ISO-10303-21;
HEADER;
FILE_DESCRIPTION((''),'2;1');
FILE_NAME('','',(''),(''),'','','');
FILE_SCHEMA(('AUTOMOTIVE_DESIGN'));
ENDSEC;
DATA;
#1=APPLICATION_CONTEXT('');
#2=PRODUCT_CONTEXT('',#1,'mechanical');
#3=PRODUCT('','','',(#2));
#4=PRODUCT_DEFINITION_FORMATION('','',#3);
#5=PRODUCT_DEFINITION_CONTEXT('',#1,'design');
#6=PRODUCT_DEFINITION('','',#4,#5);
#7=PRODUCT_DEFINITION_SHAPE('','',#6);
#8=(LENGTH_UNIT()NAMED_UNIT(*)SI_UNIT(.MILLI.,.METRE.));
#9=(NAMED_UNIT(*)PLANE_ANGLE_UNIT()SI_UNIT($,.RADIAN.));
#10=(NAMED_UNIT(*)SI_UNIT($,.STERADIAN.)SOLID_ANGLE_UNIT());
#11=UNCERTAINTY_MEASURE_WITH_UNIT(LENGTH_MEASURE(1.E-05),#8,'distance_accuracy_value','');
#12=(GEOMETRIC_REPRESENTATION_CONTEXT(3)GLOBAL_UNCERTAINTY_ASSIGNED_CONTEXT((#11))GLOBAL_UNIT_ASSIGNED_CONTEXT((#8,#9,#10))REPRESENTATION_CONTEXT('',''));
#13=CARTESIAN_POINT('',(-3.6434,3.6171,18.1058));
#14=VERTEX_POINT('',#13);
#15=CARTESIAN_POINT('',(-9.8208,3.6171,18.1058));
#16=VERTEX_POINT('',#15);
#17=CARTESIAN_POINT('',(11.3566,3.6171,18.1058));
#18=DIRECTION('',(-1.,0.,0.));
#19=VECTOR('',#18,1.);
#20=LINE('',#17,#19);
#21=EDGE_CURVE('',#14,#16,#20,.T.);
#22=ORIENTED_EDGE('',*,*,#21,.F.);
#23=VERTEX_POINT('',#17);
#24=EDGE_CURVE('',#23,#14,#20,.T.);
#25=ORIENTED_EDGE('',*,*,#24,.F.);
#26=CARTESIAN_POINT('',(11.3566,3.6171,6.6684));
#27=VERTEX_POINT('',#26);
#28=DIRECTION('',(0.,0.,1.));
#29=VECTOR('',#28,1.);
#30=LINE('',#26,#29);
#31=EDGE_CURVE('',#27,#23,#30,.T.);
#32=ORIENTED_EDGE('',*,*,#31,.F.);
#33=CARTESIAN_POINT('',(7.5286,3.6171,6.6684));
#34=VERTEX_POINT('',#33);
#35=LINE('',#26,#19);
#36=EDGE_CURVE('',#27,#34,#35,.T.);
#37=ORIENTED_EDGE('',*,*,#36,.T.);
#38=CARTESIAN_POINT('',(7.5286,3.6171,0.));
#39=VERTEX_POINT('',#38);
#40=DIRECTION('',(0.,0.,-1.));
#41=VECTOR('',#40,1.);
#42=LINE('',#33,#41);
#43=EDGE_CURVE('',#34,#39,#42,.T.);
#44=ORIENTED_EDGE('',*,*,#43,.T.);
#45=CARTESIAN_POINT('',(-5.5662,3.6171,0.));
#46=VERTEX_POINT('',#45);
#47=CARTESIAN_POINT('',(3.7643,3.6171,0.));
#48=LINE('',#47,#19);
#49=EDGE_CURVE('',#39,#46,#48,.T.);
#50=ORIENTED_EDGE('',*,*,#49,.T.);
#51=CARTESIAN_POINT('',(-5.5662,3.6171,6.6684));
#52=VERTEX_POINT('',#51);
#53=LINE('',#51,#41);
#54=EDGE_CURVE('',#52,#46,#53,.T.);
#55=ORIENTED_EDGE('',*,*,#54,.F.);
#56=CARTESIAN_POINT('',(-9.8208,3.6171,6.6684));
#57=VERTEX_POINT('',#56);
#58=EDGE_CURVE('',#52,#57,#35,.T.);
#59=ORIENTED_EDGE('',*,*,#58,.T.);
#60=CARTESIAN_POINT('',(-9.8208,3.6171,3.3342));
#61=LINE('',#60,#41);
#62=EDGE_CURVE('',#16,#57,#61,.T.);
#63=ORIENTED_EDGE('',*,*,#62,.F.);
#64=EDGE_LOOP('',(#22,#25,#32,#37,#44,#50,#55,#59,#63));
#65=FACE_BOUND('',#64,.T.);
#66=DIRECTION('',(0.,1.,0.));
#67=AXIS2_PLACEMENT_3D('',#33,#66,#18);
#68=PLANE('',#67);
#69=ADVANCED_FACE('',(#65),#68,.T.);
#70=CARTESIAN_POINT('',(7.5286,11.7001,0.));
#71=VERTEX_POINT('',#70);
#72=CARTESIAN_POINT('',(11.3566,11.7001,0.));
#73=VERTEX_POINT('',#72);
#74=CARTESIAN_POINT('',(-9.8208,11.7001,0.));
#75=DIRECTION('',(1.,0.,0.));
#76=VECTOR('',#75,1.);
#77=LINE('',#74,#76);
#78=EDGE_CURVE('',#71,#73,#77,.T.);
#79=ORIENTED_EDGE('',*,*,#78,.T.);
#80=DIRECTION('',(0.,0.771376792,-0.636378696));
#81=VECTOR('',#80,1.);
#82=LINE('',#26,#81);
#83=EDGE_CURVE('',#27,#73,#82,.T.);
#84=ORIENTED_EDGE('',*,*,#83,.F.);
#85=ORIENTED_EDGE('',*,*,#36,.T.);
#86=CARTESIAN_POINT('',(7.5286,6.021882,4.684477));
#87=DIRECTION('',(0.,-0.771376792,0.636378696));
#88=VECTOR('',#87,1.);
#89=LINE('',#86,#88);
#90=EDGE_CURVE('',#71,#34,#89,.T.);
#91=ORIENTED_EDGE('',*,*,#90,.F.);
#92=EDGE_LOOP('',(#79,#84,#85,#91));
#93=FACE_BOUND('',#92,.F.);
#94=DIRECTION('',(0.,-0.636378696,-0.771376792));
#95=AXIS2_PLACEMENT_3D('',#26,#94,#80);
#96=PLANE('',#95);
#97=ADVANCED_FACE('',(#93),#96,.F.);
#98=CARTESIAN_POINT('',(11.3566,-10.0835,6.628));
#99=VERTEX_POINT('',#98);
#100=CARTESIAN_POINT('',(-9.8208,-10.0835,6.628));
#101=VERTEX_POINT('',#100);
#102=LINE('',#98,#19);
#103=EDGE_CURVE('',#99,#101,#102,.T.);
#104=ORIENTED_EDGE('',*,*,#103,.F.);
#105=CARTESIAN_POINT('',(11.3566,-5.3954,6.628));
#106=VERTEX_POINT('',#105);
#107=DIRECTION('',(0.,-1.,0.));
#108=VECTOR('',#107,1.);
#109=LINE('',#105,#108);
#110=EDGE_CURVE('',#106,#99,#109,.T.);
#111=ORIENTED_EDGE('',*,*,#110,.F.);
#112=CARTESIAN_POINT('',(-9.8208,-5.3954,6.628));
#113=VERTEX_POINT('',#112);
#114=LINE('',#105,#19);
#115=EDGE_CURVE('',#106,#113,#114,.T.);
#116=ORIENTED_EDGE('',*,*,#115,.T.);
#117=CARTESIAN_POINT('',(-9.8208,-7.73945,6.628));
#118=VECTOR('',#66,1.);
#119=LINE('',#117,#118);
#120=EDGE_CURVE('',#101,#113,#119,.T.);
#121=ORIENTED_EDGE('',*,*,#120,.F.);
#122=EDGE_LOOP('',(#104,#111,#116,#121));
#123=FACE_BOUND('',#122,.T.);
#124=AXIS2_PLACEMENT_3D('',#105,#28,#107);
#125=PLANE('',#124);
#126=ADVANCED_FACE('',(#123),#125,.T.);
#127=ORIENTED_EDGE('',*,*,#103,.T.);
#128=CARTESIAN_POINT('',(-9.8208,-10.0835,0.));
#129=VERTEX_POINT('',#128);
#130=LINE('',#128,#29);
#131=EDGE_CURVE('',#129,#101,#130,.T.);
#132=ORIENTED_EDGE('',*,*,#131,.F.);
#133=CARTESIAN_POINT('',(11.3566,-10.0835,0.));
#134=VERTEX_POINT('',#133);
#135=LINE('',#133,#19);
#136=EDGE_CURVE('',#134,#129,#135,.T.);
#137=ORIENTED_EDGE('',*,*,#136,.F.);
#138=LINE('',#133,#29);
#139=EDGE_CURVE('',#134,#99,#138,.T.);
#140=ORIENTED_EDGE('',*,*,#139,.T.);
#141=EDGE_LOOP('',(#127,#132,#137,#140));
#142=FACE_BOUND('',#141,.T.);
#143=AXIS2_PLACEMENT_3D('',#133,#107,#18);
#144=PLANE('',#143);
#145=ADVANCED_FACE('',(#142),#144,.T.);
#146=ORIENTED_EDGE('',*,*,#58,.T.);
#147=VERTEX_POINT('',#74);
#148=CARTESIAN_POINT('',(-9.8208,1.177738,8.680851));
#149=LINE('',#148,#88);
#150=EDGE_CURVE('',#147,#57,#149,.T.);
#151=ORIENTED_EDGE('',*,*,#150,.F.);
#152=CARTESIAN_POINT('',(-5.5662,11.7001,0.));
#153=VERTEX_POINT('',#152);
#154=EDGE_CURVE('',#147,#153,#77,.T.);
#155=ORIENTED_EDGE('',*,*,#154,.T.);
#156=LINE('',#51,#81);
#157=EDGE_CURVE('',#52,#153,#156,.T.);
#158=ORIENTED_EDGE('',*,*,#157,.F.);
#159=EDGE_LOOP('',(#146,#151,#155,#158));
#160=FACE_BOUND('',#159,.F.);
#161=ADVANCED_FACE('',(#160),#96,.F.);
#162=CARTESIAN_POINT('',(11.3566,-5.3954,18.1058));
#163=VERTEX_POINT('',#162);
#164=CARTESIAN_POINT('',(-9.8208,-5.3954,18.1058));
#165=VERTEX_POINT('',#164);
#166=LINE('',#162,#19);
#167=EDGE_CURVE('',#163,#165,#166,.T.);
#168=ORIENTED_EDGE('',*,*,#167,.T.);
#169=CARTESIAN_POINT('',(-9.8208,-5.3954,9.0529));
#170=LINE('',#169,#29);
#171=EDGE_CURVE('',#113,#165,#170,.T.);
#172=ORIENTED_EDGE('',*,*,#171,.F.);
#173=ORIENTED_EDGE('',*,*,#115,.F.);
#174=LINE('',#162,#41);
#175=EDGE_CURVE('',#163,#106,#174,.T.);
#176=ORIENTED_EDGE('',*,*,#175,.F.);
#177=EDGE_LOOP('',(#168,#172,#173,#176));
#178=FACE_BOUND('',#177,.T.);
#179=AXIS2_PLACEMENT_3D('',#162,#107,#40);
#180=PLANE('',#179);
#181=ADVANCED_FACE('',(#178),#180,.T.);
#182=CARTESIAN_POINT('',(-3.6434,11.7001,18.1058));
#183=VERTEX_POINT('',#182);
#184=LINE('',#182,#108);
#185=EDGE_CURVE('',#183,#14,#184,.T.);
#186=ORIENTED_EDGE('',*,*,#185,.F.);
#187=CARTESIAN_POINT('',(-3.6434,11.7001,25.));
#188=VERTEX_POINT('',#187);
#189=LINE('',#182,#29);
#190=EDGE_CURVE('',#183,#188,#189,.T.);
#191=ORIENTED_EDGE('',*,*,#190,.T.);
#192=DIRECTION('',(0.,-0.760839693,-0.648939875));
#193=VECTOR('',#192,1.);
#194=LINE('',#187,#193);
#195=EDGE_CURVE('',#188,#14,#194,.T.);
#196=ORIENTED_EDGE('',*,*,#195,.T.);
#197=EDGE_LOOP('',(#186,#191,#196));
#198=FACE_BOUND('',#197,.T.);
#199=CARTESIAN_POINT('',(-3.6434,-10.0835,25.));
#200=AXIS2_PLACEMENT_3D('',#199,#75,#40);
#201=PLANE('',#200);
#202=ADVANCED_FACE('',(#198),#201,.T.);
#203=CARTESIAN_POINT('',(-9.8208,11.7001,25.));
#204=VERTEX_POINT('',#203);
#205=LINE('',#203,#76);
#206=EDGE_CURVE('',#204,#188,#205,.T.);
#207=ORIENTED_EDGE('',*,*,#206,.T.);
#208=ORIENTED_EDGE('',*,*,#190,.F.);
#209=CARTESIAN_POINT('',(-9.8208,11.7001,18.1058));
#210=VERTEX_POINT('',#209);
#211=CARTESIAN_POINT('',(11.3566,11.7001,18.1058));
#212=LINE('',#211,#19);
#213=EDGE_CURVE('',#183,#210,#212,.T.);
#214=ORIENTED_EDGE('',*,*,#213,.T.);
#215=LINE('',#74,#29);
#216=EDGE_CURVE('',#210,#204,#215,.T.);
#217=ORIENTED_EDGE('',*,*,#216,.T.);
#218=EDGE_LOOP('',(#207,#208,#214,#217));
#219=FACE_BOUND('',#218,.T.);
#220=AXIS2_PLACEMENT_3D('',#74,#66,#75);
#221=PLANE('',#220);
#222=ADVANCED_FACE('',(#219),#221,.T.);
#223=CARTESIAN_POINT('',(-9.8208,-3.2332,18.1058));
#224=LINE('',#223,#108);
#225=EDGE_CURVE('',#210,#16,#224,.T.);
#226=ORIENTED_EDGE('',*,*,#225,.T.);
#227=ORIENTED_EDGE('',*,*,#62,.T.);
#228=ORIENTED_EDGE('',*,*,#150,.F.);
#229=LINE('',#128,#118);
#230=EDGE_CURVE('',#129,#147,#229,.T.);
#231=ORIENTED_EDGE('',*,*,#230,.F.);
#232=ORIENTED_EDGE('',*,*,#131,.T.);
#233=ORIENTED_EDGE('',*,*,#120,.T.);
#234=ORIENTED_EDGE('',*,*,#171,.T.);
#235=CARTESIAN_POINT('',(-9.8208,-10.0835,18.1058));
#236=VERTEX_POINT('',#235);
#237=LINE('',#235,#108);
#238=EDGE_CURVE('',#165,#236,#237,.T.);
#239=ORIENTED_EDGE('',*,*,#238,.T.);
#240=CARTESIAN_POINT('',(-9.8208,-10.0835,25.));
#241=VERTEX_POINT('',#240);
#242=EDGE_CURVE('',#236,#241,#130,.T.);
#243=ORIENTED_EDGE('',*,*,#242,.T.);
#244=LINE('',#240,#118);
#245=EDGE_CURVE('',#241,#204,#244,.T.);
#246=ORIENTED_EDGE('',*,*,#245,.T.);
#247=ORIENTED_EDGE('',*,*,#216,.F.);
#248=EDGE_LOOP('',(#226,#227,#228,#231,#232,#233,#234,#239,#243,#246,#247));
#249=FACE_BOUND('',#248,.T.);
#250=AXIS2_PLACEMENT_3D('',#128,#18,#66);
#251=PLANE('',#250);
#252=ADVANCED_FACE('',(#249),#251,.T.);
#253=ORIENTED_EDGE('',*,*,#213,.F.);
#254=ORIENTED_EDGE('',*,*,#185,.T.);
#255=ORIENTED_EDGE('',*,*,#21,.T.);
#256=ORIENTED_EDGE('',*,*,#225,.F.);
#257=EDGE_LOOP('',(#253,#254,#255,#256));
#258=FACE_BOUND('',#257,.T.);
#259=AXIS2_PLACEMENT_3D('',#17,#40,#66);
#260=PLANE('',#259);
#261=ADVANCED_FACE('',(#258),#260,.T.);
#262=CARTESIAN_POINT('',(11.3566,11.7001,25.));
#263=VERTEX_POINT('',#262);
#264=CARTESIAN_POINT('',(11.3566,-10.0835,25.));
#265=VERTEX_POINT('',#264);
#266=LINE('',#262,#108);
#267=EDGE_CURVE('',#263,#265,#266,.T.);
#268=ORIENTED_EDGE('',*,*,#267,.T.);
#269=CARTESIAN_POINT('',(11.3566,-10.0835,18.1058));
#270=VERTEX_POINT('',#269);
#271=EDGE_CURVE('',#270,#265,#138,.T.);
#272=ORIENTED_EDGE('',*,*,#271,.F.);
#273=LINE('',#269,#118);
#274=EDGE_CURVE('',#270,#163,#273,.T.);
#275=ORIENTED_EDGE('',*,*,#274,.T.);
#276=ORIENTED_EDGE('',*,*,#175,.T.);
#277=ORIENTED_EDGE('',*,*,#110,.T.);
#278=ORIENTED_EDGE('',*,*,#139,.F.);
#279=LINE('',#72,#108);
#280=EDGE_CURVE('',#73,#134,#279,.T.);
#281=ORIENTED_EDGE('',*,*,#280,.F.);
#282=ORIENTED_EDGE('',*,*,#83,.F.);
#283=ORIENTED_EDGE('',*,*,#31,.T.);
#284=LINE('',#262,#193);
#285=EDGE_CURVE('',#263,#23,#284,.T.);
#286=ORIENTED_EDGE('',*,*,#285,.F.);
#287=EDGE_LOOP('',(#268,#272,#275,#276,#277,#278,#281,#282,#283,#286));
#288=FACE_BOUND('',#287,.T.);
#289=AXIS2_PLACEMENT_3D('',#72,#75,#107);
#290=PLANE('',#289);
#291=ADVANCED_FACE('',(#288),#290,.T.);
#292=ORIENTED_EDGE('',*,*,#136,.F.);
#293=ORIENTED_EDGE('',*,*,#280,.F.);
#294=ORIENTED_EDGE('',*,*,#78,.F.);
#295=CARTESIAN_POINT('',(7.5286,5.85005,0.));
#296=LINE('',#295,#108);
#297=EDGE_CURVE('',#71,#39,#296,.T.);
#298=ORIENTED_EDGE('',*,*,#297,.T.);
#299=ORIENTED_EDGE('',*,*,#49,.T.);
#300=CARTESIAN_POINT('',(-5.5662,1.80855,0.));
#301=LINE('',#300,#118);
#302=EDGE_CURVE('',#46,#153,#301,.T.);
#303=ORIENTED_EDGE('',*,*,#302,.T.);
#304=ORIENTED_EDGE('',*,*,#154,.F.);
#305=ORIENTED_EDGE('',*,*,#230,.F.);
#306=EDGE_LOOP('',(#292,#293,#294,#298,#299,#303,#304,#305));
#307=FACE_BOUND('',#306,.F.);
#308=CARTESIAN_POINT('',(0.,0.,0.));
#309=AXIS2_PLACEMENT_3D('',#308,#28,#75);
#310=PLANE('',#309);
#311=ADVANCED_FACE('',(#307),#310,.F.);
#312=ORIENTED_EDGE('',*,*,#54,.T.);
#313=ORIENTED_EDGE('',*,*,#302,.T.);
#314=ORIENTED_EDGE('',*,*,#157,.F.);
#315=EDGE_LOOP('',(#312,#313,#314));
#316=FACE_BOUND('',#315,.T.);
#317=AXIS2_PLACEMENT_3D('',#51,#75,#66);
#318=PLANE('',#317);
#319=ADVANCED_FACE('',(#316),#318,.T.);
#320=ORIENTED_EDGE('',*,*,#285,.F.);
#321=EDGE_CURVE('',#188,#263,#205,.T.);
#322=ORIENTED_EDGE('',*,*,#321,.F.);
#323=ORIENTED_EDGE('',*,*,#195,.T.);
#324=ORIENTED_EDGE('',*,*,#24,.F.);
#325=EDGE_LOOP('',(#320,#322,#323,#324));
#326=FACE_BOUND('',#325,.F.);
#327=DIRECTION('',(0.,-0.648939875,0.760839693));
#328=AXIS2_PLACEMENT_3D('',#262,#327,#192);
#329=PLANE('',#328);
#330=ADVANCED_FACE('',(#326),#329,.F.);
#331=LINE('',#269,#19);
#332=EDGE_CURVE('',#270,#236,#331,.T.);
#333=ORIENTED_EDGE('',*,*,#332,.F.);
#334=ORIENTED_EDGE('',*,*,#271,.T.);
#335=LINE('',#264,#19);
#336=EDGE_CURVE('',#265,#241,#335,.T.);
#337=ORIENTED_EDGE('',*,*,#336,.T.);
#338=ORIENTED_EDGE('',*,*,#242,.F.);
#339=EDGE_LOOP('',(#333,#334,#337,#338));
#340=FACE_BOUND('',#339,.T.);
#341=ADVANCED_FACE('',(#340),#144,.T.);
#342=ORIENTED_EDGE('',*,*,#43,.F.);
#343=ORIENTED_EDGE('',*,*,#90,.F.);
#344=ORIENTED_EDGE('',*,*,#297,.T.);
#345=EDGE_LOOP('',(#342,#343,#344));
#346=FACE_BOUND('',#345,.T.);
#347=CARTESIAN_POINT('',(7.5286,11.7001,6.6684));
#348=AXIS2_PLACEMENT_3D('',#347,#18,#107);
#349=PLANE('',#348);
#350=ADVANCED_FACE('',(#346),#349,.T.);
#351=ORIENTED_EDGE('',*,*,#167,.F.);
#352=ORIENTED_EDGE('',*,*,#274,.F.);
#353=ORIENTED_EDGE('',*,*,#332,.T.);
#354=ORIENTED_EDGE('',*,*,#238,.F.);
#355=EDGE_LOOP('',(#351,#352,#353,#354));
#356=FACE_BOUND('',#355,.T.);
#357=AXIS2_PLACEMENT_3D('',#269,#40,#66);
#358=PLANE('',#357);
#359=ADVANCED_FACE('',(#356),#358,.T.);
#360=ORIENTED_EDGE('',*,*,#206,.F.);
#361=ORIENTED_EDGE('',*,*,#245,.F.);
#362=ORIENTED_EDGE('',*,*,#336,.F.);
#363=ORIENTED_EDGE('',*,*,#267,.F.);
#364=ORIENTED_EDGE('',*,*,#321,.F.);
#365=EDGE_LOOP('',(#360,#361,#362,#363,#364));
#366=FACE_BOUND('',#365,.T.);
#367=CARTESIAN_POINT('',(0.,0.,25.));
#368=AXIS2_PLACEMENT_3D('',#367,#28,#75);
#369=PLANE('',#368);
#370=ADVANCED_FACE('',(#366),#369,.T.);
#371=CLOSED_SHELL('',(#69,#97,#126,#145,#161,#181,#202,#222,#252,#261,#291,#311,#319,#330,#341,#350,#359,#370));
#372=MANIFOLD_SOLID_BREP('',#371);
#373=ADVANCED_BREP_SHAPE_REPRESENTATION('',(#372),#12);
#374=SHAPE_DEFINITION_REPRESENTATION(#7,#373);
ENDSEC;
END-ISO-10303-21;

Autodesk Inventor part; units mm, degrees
ref_plane "YZ Plane" through (0, 0, 0) normal (1, 0, 0) x (0, 1, 0)
ref_plane "XZ Plane" through (0, 0, 0) normal (0, 1, 0) x (-1, 0, 0)
ref_plane "XY Plane" through (0, 0, 0) normal (0, 0, 1) x (1, 0, 0)
sketch "스케치1" plane through (0, 0, 0) normal (0, 0, 1) x (1, 0, 0)
  line L0 (-9.8208, 11.7001) -> (11.3566, 11.7001)
  line L1 (11.3566, 11.7001) -> (11.3566, -10.0835)
  line L2 (11.3566, -10.0835) -> (-9.8208, -10.0835)
  line L3 (-9.8208, -10.0835) -> (-9.8208, 11.7001)
  point P0 (0, 0)
extrude "돌출1" add sketch "스케치1" along normal blind 25
sketch "스케치2" plane through (11.3566, -10.0835, 0) normal (1, 0, 0) x (0, 0, -1)
  line L0 (0, 0) -> (-25, 0) projected
  line L1 (-18.1058, 4.6881) -> (-6.628, 4.6881)
  line L2 (-6.628, 4.6881) -> (-6.628, 0)
  line L3 (-6.628, 0) -> (-18.1058, 0)
  line L4 (-18.1058, 0) -> (-18.1058, 4.6881)
  point P0 (0, 10.0835)
extrude "돌출2" cut sketch "스케치2" against normal blind 25
sketch "스케치3" plane through (11.3566, -10.0835, 0) normal (1, 0, 0) x (0, 0, -1)
  line L0 (0, 21.7836) -> (-25, 21.7836) projected
  line L1 (-18.1058, 21.7836) -> (-6.6684, 21.7836)
  line L2 (-6.6684, 21.7836) -> (-6.6684, 13.7006)
  line L3 (-6.6684, 13.7006) -> (-18.1058, 13.7006)
  line L4 (-18.1058, 13.7006) -> (-18.1058, 21.7836)
  point P0 (0, 10.0835)
extrude "돌출3" cut sketch "스케치3" against normal blind 25
sketch "스케치4" plane through (11.3566, -10.0835, 0) normal (1, 0, 0) x (0, 0, -1)
  point P0 (0, 10.0835)
sketch "스케치5" plane through (-9.8208, 11.7001, 0) normal (0, 1, 0) x (1, 0, 0)
  line L0 (21.1774, -6.628) -> (0, -6.628) projected
  line L1 (0, 0) -> (21.1774, 0) projected
  line L2 (4.1053, -6.628) -> (17.5214, -6.628)
  line L3 (17.5214, -6.628) -> (17.5214, 0)
  line L4 (17.5214, 0) -> (4.1053, 0)
  line L5 (4.1053, 0) -> (4.1053, -6.628)
  point P0 (9.8208, 0)
sketch "스케치6" plane through (11.3566, 3.6171, 6.6684) normal (0, 0, 1) x (1, 0, 0)
  line L0 (-21.1774, 8.083) -> (0, 8.083) projected
  line L1 (0, 0) -> (-21.1774, 0) projected
  line L2 (-16.9228, 8.083) -> (-3.828, 8.083)
  line L3 (-3.828, 8.083) -> (-3.828, 0)
  line L4 (-3.828, 0) -> (-16.9228, 0)
  line L5 (-16.9228, 0) -> (-16.9228, 8.083)
  point P0 (-11.3566, -3.6171)
extrude "돌출4" cut sketch "스케치6" against normal blind 10
sketch "스케치7" plane through (11.3566, -10.0835, 0) normal (1, 0, 0) x (0, 0, -1)
  line L0 (-6.6684, 13.7006) -> (-18.1058, 13.7006) projected
  line L1 (0, 21.7836) -> (0, 13.7006) projected
  line L2 (-6.6684, 13.7006) -> (0, 21.7836)
  line L3 (-6.6684, 13.7006) -> (-6.6684, 21.7836)
  line L4 (0, 21.7836) -> (0, 0) projected
  line L5 (-6.6684, 21.7836) -> (0, 21.7836)
  point P0 (0, 10.0835)
extrude "돌출5" cut sketch "스케치7" against normal blind 50
sketch "스케치8" plane through (11.3566, -10.0835, 25) normal (1, 0, 0) x (0, 0, -1)
  line L0 (0, 21.7836) -> (0, 0) projected
  line L1 (6.8942, 13.7006) -> (18.3316, 13.7006) projected
  line L2 (0, 21.7836) -> (6.8942, 13.7006)
  line L3 (6.8942, 21.7836) -> (6.8942, 13.7006) projected
  line L4 (6.8942, 13.7006) -> (6.8942, 21.7836)
  line L5 (6.8942, 21.7836) -> (0, 21.7836) projected
  line L6 (6.8942, 21.7836) -> (0, 21.7836)
  point P0 (25, 10.0835)
extrude "돌출6" cut sketch "스케치8" against normal blind 15
properties part number "240510_3Dsketch09"
